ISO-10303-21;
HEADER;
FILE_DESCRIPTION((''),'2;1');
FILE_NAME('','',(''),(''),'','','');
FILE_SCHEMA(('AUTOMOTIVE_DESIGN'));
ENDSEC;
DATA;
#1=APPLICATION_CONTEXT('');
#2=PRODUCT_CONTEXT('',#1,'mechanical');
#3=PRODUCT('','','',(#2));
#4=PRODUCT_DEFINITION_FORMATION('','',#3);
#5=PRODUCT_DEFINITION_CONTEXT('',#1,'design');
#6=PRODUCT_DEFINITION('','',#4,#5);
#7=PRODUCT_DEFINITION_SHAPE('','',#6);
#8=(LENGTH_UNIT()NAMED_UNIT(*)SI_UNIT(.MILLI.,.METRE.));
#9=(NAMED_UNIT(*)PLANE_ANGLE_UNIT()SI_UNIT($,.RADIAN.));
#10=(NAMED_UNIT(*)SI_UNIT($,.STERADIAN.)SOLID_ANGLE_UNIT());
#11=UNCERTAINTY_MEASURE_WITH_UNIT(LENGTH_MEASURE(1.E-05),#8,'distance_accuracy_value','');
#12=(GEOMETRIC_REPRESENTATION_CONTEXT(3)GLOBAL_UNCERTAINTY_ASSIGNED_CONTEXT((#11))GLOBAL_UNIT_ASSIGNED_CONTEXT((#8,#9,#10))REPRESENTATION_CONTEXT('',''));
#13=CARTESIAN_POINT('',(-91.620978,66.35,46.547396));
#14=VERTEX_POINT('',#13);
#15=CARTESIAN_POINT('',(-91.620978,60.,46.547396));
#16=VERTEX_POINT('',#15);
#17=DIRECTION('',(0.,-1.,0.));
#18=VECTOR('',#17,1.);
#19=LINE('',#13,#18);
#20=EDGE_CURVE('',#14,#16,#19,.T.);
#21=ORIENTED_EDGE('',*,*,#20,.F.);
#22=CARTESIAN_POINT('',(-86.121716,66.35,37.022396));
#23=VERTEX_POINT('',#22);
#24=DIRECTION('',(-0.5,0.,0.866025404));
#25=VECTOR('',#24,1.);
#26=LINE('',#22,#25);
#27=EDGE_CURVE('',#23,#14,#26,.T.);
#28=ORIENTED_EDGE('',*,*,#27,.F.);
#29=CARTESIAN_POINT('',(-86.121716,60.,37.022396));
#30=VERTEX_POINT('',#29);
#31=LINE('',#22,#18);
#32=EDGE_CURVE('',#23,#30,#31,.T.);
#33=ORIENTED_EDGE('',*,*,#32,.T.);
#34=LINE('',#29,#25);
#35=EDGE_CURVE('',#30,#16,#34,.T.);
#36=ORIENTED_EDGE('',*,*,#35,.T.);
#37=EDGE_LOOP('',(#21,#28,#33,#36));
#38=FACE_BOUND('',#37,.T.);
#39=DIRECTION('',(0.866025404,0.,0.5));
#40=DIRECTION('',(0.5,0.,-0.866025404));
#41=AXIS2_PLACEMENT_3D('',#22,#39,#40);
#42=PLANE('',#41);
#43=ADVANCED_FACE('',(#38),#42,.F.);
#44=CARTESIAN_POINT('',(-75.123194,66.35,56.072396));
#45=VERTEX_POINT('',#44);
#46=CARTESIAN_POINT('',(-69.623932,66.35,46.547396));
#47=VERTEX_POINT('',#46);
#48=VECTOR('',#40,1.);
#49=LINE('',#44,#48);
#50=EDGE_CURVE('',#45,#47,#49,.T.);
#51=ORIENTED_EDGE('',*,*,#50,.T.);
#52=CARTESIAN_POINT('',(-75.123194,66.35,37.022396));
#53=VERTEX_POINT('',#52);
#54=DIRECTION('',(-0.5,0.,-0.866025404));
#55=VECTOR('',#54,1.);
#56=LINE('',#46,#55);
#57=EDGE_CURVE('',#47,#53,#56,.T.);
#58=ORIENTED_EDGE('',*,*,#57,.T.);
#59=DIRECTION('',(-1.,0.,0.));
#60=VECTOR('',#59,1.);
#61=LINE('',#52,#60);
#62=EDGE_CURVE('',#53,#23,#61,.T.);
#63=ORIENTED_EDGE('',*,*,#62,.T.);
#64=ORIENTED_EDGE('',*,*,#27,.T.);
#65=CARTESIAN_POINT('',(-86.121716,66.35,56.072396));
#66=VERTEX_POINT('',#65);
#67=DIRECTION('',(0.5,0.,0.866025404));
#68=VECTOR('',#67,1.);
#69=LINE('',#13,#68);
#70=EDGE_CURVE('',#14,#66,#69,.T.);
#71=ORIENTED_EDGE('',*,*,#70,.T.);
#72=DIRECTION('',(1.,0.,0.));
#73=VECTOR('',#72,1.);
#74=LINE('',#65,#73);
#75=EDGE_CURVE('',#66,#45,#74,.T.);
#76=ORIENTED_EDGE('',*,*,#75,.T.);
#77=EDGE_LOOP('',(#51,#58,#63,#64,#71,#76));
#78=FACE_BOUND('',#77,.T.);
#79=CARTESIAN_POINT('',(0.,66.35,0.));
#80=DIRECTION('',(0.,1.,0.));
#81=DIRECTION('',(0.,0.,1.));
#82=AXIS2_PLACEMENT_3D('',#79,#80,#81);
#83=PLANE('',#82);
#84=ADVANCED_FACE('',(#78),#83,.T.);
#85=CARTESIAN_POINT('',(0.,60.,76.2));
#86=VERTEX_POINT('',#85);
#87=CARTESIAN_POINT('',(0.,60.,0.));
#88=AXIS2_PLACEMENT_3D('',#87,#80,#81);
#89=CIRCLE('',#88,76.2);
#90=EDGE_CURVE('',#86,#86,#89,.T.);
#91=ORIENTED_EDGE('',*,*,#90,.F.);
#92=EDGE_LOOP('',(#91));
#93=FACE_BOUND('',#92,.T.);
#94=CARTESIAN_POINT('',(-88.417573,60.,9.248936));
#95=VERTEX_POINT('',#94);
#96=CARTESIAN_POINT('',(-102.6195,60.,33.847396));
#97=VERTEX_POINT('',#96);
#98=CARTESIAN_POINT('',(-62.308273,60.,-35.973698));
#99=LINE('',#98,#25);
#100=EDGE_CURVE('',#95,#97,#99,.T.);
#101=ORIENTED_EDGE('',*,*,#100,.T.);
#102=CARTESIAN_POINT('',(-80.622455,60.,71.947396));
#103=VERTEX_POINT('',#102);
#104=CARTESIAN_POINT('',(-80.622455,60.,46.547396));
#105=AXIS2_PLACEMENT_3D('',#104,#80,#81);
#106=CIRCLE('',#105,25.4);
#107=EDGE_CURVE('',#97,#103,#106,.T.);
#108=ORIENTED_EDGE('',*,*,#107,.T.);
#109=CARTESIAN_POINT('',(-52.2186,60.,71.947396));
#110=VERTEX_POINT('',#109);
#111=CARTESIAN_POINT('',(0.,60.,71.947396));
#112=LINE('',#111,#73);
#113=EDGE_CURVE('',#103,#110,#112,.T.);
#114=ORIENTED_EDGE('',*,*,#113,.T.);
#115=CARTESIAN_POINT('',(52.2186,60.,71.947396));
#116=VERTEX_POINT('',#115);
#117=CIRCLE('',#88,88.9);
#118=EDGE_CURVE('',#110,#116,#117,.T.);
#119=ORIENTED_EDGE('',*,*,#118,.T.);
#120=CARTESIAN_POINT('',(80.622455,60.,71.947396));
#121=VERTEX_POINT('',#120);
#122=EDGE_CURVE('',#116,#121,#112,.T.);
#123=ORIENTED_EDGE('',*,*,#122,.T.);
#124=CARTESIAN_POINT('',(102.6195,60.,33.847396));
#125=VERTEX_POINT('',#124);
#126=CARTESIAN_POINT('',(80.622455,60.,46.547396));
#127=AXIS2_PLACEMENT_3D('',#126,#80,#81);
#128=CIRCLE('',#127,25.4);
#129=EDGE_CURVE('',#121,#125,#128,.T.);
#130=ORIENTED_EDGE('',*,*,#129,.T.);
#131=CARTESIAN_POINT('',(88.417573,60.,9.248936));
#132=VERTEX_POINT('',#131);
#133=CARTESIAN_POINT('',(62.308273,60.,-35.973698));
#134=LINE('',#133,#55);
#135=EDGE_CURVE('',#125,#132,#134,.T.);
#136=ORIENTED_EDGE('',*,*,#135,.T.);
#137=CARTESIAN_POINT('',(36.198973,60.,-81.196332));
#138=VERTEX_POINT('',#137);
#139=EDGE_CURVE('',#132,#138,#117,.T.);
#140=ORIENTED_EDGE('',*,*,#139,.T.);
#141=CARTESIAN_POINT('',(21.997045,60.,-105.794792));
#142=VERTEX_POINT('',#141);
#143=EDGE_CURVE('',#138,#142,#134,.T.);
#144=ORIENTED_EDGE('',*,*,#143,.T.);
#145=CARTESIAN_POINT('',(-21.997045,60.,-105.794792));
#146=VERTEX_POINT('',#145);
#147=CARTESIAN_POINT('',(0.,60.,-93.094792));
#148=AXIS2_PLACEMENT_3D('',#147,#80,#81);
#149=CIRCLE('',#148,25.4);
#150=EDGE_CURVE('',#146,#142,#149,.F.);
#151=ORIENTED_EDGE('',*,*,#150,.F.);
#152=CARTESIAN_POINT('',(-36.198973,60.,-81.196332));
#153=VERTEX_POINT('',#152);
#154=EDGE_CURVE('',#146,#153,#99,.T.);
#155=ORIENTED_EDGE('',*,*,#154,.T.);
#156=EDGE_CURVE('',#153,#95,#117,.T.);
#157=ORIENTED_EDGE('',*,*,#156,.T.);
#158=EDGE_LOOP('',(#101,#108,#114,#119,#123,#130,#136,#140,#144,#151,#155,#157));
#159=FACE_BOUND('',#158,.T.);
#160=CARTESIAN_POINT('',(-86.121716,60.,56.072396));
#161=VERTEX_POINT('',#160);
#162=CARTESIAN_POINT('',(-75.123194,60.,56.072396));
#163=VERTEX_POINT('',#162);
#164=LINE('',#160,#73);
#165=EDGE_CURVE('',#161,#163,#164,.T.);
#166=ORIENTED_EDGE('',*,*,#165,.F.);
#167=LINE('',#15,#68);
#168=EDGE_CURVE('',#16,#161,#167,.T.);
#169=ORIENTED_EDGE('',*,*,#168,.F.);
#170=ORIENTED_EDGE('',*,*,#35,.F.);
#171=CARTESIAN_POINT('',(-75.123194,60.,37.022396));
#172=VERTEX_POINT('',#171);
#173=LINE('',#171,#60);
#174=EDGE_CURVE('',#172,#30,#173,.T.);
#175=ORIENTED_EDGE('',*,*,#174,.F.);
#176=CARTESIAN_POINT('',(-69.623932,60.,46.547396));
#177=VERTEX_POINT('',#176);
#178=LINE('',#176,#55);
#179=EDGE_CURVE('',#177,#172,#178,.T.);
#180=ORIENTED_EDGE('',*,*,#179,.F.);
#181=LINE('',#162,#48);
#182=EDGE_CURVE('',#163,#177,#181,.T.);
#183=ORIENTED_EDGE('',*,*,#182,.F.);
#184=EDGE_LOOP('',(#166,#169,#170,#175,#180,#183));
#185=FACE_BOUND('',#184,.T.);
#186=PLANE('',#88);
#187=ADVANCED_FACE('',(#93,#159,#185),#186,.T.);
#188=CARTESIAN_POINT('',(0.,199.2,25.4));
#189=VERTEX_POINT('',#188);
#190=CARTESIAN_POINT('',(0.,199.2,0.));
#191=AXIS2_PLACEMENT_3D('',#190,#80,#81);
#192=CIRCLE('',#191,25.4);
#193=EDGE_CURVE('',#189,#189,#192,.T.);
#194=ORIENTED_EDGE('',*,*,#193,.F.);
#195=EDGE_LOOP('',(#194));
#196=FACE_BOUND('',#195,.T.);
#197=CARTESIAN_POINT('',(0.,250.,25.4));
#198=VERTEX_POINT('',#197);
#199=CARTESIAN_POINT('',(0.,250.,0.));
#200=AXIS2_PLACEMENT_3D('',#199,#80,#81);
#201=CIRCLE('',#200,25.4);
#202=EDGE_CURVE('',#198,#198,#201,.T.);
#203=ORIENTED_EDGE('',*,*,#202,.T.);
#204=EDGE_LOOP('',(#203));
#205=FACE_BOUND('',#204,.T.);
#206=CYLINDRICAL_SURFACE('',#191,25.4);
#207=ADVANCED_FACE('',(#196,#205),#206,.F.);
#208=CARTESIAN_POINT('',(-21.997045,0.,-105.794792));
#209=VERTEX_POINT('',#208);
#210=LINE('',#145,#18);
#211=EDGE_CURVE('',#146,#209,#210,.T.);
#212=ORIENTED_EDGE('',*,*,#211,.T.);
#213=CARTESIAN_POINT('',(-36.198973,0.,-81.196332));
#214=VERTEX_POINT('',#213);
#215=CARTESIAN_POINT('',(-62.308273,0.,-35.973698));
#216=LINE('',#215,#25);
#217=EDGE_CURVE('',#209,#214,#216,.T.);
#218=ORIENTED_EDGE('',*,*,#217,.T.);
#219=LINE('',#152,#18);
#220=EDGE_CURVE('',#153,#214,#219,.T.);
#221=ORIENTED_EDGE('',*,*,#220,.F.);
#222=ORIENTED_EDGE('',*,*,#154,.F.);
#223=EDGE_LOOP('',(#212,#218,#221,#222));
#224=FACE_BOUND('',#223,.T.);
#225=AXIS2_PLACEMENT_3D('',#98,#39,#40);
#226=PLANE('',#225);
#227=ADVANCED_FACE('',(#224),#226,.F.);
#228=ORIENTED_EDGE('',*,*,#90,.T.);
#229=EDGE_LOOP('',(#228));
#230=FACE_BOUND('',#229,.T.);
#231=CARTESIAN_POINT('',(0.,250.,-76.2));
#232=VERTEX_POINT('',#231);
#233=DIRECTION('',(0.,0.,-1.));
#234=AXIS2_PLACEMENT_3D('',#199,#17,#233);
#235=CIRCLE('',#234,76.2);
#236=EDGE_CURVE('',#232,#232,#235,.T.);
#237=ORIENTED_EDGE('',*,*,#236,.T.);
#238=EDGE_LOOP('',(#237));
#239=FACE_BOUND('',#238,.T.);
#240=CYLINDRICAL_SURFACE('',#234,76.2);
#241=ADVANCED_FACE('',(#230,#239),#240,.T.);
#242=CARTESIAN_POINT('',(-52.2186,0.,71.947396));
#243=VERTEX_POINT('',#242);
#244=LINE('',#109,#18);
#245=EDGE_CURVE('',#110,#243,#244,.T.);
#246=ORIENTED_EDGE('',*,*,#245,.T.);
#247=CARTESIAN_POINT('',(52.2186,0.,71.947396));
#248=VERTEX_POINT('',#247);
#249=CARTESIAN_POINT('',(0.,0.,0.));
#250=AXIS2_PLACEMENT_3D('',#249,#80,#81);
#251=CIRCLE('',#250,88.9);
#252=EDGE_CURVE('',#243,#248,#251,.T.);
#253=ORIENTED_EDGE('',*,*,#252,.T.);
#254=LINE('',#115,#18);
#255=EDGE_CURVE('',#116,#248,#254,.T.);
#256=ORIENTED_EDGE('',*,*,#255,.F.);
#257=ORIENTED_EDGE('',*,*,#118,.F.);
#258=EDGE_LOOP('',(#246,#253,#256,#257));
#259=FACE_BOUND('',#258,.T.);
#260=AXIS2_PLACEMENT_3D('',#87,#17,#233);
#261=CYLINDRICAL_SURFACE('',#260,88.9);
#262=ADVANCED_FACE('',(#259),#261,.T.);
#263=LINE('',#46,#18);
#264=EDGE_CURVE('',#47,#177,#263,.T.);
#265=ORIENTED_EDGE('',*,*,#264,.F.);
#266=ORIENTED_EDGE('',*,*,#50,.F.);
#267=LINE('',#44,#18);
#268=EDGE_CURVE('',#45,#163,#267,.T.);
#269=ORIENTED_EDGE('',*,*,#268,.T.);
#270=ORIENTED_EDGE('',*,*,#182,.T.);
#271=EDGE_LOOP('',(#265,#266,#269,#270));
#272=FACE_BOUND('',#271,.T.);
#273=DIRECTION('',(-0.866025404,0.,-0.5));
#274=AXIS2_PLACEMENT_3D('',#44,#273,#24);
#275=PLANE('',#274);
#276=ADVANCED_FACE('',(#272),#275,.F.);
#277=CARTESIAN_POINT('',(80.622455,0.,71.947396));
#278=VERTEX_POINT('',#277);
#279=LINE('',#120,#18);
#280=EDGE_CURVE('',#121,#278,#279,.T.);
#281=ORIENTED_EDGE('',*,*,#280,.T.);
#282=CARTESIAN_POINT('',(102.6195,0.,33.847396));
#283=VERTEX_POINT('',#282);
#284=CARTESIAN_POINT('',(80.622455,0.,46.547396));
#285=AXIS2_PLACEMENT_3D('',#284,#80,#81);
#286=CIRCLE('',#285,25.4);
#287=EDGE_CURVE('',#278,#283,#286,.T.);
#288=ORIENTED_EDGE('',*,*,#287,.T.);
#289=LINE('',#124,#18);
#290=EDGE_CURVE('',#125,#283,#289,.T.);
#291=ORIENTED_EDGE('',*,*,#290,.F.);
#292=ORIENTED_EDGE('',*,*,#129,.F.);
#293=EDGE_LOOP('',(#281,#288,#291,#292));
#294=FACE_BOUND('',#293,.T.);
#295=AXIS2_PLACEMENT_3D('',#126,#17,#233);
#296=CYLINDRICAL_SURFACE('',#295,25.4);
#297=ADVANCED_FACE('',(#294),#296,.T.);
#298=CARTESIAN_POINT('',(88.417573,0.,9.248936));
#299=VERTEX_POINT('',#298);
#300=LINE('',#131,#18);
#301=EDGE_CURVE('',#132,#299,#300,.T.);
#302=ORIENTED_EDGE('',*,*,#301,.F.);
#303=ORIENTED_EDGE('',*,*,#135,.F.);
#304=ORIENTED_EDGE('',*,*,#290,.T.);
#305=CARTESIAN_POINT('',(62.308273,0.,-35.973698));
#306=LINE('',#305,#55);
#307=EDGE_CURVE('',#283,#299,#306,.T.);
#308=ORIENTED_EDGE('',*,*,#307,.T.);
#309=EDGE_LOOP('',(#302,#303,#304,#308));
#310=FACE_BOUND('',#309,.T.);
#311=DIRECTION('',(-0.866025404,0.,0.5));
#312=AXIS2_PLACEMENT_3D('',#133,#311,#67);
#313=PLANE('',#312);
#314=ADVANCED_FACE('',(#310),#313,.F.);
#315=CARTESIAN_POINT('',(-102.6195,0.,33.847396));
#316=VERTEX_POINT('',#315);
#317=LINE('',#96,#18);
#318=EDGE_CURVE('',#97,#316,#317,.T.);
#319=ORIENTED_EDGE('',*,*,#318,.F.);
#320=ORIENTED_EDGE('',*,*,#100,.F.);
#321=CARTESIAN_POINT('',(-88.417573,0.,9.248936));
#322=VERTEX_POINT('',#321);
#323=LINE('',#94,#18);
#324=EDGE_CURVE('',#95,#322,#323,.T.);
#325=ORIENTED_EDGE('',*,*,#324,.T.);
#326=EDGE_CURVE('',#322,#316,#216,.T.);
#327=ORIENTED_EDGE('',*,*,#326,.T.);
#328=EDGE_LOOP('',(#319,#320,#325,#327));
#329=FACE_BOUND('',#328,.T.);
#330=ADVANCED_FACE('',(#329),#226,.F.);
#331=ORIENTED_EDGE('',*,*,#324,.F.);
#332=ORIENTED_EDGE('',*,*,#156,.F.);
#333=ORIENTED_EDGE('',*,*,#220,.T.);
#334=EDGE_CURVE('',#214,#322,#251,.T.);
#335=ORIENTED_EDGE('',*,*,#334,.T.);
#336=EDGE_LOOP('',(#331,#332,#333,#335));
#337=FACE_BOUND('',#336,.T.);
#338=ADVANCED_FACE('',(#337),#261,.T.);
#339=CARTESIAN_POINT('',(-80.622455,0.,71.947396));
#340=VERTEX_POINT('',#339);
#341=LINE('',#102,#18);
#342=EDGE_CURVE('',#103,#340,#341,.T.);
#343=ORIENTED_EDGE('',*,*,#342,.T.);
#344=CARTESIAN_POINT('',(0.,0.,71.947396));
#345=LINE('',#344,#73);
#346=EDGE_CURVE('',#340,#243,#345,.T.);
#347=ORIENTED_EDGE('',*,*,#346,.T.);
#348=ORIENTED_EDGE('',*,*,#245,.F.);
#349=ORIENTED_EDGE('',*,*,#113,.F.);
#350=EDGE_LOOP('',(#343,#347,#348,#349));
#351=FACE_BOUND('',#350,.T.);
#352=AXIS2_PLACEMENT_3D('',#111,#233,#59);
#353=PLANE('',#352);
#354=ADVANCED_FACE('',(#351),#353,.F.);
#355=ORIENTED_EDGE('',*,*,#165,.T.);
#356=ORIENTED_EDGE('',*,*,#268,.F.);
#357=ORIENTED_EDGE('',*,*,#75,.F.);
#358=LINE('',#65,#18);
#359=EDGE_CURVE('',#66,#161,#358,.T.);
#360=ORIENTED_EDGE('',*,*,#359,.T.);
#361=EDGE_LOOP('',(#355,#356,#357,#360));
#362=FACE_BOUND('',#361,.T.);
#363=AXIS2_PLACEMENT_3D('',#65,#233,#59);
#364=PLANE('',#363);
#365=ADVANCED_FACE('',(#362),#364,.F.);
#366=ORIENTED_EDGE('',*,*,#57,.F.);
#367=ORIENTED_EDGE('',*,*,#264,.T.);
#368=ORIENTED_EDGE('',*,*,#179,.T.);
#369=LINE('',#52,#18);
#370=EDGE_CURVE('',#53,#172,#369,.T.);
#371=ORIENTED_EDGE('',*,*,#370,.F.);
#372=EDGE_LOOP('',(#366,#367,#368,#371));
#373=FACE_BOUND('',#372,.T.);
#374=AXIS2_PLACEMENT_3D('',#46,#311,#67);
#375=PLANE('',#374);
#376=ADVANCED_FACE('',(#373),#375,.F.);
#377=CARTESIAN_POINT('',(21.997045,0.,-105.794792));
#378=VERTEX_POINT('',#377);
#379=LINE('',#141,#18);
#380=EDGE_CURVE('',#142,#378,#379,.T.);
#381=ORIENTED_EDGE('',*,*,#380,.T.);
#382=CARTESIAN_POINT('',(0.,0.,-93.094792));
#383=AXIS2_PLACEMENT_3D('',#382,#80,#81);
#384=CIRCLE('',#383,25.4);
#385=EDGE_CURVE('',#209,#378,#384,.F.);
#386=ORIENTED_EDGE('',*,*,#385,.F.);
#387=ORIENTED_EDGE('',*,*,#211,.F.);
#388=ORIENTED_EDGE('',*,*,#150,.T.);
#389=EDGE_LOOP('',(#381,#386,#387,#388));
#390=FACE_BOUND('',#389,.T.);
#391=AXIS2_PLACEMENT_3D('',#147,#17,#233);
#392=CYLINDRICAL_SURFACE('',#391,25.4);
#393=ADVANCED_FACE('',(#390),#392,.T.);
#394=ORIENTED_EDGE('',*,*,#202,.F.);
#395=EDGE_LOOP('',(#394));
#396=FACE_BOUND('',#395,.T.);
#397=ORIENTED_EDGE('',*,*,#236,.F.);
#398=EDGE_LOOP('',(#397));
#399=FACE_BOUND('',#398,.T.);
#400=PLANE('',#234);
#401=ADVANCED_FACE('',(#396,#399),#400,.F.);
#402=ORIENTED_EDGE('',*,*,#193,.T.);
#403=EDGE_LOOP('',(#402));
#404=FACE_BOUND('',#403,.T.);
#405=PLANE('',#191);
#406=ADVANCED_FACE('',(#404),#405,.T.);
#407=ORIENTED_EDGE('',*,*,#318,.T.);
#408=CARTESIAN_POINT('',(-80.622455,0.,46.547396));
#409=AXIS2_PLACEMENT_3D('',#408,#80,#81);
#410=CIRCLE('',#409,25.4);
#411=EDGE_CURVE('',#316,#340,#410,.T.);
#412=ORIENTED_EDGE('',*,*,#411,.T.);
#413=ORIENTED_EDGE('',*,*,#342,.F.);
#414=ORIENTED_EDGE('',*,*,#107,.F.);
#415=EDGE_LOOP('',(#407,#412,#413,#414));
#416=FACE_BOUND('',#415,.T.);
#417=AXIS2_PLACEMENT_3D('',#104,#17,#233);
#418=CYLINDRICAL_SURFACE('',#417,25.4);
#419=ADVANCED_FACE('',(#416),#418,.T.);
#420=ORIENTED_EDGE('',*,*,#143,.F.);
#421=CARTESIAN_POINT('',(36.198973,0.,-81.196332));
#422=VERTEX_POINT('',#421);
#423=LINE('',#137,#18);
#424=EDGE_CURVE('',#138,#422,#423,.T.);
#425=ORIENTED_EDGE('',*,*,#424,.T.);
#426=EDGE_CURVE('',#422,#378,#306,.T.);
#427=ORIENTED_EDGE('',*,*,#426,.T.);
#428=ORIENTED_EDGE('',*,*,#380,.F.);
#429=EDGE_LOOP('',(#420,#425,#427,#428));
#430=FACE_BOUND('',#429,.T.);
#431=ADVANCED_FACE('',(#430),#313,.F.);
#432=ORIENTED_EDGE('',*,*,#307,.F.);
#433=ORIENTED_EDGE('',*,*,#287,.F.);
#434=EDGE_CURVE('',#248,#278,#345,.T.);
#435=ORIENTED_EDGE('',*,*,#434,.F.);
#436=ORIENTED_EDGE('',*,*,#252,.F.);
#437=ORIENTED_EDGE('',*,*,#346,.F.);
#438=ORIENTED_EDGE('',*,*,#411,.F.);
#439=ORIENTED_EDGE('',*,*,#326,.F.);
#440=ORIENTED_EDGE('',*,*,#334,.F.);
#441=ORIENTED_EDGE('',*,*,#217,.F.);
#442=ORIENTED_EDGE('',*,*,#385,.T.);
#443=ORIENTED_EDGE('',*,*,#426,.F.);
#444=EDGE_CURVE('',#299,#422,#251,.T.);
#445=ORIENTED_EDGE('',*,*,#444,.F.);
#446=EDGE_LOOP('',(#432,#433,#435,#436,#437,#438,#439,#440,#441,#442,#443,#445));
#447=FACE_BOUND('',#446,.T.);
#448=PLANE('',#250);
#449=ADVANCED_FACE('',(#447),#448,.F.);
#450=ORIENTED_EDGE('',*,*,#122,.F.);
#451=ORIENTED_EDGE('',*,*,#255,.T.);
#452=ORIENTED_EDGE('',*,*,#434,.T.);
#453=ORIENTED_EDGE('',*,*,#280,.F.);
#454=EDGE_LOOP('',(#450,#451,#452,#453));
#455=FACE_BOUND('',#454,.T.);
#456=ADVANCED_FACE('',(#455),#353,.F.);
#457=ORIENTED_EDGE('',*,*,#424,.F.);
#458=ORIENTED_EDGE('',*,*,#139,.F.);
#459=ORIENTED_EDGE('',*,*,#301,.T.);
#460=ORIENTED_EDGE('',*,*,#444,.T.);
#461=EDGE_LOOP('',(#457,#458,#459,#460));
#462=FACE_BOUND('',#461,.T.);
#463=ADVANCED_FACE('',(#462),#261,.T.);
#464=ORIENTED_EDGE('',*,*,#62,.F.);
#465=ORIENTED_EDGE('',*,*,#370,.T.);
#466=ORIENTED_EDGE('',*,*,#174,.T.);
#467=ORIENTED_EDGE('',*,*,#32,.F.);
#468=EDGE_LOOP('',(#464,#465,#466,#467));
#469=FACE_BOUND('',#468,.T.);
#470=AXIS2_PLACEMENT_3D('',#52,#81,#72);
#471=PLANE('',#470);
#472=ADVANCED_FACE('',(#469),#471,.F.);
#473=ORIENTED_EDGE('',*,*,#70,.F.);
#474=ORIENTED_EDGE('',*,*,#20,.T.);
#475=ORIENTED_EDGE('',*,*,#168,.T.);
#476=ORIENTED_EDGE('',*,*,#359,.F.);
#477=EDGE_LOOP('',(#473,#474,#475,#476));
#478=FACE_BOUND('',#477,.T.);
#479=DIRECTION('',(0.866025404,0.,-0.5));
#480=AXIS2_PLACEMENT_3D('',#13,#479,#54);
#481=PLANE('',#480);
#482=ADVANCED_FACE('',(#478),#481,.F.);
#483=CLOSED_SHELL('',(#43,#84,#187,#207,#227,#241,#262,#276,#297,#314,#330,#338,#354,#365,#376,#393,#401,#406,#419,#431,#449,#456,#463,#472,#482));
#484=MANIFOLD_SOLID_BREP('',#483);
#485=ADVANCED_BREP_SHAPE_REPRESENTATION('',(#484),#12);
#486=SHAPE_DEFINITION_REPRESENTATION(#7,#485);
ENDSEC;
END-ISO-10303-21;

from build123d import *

# Parameters (mm, degrees)
BOSS_EXTRUDE1_DEPTH = 60
BOSS_EXTRUDE2_DEPTH = 6.35
SKETCH3_R           = 76.2
BOSS_EXTRUDE3_DEPTH = 250
SKETCH4_R           = 25.4
CUT_EXTRUDE1_DEPTH  = 50.8


with BuildPart() as part:
    # Sketch1 → Boss-Extrude1 (new body)
    with BuildSketch(Plane(origin=(0, 0, 0), x_dir=(1, 0, 0), z_dir=(0, 1, 0))):
        with BuildLine():
            ThreePointArc((-36.198972693, 81.196332281), (-76.989658396, 44.45), (-88.417572796, -9.248936198))
            Line((-88.417572796, -9.248936198), (-102.619500233, -33.847396084))
            ThreePointArc((-102.619500233, -33.847396084), (-102.619500233, -59.247396084), (-80.622454977, -71.947396084))
            Line((-80.622454977, -71.947396084), (-52.218600103, -71.947396084))
            ThreePointArc((-52.218600103, -71.947396084), (0, -88.9), (52.218600103, -71.947396084))
            Line((52.218600103, -71.947396084), (80.622454977, -71.947396084))
            ThreePointArc((80.622454977, -71.947396084), (102.619500233, -59.247396084), (102.619500233, -33.847396084))
            Line((102.619500233, -33.847396084), (88.417572796, -9.248936198))
            ThreePointArc((88.417572796, -9.248936198), (76.989658396, 44.45), (36.198972693, 81.196332281))
            Line((36.198972693, 81.196332281), (21.997045256, 105.794792168))
            ThreePointArc((21.997045256, 105.794792168), (0, 118.494792168), (-21.997045256, 105.794792168))
            Line((-21.997045256, 105.794792168), (-36.198972693, 81.196332281))
        make_face()
        with BuildLine():
            ThreePointArc((-75.786490968, -7.927659598), (-65.991135768, 38.1), (-31.02769088, 69.596856241))
            ThreePointArc((-31.02769088, 69.596856241), (0, 76.2), (31.02769088, 69.596856241))
            ThreePointArc((31.02769088, 69.596856241), (63.916938463, 41.485720163), (76.2, 0))
            ThreePointArc((76.2, 0), (76.096552523, -3.969218324), (75.786490968, -7.927659598))
            ThreePointArc((75.786490968, -7.927659598), (65.991135768, -38.1), (44.758800089, -61.669196643))
            ThreePointArc((44.758800089, -61.669196643), (0, -76.2), (-44.758800089, -61.669196643))
            ThreePointArc((-44.758800089, -61.669196643), (-65.991135768, -38.1), (-75.786490968, -7.927659598))
        make_face(mode=Mode.SUBTRACT)
    extrude(amount=BOSS_EXTRUDE1_DEPTH)

    # Sketch2 → Boss-Extrude2 (add)
    with BuildSketch(Plane(origin=(0, 60, 0), x_dir=(1, 0, 0), z_dir=(0, 1, 0))):
        Polygon((-69.623932349, -46.547396084), (-75.123193663, -37.022396084), (-86.121716291, -37.022396084), (-91.620977605, -46.547396084), (-86.121716291, -56.072396084), (-75.123193663, -56.072396084), align=None)
    extrude(amount=BOSS_EXTRUDE2_DEPTH)

    # Sketch3 → Boss-Extrude3 (add)
    with BuildSketch(Plane.XZ):
        with Locations(Location((0, 0, 0), (0, 0, 270))):
            Circle(SKETCH3_R)
    extrude(amount=-BOSS_EXTRUDE3_DEPTH)

    # Sketch4 → Cut-Extrude1 (cut)
    with BuildSketch(Plane(origin=(0, 250, 0), x_dir=(1, 0, 0), z_dir=(0, 1, 0))):
        with Locations(Location((0, 0, 0), (0, 0, 270))):
            Circle(SKETCH4_R)
    extrude(amount=-CUT_EXTRUDE1_DEPTH, mode=Mode.SUBTRACT)


solid = part.part
